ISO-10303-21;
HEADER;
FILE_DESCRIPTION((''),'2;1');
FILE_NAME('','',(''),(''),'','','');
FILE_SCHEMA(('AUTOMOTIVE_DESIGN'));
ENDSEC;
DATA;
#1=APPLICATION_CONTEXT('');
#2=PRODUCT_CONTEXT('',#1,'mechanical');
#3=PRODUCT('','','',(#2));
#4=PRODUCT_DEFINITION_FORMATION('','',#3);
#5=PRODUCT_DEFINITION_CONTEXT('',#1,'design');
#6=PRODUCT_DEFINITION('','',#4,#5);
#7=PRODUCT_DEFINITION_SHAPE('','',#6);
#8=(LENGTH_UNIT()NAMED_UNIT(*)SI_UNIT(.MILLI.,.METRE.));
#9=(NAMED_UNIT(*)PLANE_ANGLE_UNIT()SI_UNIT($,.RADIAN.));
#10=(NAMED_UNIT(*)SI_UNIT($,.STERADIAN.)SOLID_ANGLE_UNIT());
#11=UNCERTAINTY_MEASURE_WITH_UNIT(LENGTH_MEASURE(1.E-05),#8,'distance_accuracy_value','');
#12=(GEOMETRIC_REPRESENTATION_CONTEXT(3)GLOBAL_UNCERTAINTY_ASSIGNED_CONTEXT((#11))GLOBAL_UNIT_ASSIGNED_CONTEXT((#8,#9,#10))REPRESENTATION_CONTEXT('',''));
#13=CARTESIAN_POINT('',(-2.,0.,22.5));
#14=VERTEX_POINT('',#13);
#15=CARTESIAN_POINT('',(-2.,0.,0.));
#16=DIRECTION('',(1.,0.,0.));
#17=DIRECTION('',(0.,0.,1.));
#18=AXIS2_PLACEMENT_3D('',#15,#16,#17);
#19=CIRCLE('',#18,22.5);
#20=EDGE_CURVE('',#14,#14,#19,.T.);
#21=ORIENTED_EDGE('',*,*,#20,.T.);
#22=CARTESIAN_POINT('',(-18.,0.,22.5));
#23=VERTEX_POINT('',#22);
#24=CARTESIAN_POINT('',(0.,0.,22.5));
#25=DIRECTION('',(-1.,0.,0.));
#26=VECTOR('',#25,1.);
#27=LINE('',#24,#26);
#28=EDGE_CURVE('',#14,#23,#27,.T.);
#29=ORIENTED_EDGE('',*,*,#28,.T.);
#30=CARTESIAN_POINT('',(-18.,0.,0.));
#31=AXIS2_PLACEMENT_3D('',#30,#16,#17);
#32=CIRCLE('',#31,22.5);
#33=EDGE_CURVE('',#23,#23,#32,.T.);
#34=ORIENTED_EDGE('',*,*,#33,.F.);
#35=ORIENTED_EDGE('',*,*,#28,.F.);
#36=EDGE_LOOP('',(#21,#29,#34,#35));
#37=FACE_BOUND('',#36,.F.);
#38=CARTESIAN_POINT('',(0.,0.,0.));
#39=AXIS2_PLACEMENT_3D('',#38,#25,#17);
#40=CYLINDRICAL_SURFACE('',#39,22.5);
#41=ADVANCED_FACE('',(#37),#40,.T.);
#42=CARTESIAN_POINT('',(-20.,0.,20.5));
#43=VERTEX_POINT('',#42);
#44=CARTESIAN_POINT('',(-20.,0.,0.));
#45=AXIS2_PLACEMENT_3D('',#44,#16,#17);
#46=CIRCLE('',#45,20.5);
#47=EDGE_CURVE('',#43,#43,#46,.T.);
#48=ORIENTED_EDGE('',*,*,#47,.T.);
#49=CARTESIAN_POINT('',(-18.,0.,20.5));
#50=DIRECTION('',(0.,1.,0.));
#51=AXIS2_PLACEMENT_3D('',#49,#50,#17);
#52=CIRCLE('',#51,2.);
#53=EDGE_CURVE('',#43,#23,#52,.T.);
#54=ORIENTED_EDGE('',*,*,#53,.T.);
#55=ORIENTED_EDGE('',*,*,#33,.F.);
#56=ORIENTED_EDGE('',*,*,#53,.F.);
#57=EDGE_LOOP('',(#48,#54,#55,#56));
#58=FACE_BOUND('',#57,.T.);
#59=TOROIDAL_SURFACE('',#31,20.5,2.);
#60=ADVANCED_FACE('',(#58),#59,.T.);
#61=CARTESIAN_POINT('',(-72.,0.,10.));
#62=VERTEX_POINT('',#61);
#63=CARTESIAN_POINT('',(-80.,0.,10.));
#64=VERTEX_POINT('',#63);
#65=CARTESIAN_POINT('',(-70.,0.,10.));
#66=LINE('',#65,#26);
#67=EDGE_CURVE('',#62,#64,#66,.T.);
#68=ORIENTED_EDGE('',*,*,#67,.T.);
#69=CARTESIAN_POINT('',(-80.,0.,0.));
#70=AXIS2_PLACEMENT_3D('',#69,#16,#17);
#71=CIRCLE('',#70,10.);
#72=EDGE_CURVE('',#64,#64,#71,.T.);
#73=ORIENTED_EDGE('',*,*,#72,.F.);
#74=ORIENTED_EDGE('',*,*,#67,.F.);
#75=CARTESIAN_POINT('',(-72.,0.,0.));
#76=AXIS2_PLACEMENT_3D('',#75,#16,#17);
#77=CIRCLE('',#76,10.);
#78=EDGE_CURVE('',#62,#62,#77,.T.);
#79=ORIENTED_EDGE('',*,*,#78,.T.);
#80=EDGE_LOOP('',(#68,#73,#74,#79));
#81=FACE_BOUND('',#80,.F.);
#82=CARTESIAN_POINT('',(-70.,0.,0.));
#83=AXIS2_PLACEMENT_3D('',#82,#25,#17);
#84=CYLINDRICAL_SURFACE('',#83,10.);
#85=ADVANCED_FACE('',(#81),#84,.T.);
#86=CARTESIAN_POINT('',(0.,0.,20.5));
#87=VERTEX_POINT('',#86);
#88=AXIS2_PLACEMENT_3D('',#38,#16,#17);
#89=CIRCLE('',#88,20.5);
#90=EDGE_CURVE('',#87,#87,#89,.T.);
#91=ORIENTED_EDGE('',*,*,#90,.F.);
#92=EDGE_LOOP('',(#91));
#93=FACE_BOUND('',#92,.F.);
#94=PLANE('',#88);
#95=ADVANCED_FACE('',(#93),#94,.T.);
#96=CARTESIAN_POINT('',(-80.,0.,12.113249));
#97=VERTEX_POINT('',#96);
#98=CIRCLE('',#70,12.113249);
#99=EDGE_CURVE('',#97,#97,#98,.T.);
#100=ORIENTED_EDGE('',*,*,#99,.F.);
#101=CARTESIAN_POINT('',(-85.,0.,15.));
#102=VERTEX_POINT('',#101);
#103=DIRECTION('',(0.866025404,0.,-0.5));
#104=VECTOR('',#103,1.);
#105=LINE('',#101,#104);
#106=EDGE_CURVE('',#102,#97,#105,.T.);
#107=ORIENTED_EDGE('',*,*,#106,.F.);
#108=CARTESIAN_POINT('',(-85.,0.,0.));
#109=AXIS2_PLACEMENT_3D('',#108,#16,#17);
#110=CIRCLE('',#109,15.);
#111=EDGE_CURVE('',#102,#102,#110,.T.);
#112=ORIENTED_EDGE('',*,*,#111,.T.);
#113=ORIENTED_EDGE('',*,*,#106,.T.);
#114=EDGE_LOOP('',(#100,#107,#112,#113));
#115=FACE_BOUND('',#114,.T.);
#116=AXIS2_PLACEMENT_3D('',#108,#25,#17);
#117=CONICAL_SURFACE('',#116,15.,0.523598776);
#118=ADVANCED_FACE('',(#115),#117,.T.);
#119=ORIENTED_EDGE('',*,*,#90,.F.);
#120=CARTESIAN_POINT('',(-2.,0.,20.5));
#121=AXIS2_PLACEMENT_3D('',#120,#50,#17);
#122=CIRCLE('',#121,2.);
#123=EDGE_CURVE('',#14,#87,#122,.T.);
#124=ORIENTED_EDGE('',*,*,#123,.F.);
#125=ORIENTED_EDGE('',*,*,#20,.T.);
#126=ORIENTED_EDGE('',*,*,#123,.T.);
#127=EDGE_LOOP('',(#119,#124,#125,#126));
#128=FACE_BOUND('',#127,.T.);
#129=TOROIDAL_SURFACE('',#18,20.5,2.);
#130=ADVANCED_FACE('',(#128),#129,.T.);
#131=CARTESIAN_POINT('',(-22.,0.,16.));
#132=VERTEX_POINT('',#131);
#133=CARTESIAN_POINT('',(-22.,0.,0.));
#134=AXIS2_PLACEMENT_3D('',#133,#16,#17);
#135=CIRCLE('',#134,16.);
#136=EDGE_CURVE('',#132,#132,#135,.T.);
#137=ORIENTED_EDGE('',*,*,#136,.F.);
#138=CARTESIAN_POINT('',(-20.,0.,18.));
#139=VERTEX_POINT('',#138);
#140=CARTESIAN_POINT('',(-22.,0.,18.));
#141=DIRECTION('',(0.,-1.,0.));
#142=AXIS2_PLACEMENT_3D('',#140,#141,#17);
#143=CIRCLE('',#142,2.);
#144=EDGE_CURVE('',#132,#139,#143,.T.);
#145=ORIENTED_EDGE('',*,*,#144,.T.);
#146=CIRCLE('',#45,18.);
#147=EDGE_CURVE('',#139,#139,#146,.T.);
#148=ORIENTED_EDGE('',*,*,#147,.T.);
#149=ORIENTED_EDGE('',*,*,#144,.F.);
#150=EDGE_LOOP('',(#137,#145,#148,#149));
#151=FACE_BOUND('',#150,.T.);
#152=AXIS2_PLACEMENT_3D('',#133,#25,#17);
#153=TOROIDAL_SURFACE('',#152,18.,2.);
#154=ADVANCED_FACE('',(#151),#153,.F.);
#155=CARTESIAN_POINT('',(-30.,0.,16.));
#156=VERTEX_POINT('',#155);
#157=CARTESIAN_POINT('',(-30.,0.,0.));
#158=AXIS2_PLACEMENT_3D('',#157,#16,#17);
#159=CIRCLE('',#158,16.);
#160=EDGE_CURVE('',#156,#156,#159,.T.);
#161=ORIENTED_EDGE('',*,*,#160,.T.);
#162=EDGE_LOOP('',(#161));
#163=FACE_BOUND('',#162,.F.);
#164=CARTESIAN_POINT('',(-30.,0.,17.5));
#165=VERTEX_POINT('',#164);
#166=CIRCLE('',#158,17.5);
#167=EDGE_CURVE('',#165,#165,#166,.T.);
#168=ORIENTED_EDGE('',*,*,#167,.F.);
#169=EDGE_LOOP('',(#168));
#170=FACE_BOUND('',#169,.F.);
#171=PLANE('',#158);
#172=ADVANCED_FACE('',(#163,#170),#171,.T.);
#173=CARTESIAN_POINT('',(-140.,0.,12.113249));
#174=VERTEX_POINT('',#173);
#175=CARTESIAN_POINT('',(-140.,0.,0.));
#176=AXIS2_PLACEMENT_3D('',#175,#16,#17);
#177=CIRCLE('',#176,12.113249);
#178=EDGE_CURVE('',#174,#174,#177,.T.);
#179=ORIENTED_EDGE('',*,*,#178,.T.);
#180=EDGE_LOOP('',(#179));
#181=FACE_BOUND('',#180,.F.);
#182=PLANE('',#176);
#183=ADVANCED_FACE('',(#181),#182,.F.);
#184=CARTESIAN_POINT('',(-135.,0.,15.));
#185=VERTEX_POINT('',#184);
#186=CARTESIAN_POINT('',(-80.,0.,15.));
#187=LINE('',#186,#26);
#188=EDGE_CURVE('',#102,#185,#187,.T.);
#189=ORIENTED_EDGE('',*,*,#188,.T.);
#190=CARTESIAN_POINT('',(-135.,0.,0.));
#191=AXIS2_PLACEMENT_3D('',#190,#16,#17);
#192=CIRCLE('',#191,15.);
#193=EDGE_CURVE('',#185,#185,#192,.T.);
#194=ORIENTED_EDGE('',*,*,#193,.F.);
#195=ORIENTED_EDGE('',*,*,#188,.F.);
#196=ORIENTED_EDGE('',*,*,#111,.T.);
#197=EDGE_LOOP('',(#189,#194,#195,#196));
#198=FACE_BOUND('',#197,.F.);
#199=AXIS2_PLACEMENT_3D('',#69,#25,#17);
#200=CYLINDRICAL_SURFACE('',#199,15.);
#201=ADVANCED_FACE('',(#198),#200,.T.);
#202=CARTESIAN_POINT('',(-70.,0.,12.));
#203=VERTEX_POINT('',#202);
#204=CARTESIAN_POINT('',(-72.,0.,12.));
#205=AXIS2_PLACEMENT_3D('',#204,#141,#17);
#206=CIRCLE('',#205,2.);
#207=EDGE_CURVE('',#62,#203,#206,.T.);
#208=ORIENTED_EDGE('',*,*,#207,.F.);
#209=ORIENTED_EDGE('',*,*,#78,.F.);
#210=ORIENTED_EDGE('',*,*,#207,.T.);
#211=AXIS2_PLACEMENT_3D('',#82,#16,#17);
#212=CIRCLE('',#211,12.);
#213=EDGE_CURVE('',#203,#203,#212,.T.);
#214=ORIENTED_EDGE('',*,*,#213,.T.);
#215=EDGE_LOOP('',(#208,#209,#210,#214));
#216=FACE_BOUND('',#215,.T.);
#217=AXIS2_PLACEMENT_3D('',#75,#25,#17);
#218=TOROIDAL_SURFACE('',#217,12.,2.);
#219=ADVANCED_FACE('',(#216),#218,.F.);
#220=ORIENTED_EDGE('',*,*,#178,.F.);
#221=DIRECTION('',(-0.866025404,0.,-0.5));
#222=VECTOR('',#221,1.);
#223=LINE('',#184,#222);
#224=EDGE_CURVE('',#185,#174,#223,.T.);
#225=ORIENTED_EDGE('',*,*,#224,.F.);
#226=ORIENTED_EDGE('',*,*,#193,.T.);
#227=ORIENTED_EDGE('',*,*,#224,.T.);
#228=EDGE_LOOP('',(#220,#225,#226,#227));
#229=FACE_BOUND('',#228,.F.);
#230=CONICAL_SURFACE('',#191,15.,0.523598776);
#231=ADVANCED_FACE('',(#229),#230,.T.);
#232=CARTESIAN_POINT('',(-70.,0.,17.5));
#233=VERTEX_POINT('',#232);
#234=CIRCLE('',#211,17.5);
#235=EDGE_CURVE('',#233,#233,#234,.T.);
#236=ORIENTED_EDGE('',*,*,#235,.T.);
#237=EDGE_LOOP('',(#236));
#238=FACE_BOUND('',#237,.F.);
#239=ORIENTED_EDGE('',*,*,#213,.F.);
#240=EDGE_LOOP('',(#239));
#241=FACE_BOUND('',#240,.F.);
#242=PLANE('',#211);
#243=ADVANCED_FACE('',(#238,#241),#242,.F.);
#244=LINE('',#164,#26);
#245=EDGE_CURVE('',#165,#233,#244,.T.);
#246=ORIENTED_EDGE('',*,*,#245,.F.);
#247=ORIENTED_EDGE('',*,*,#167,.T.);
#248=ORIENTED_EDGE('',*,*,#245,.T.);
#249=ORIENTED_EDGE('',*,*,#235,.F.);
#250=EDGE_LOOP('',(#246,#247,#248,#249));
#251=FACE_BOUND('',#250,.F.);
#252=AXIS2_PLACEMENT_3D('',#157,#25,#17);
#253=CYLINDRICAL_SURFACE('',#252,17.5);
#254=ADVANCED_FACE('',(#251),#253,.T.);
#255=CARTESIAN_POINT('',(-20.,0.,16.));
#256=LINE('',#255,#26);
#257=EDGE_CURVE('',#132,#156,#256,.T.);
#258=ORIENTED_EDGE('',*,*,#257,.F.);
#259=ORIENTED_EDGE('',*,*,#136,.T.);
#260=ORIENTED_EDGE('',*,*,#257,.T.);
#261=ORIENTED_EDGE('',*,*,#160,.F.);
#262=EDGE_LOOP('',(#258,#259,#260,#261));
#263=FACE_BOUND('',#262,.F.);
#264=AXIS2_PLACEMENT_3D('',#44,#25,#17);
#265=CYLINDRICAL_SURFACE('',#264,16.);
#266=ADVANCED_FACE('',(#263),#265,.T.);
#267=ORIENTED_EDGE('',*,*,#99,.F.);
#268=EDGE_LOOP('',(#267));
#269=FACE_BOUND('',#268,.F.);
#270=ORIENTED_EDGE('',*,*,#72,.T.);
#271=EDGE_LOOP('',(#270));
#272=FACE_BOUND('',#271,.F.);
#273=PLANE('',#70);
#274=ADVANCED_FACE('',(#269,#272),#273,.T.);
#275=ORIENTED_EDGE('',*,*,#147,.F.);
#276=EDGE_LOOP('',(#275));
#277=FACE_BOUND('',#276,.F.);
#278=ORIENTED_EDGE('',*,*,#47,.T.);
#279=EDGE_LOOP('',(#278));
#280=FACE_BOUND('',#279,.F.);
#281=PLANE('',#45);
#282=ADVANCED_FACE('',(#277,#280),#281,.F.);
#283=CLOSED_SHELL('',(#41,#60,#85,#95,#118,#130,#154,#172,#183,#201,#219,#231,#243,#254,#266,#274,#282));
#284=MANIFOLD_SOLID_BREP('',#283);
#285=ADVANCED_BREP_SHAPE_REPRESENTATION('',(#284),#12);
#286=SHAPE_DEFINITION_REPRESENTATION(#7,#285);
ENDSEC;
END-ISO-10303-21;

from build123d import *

# Parameters (mm, degrees)
F2_SIZE2 = 2.8867513459
F2_SIZE  = 5
F3_R     = 2


with BuildPart() as f1:
    # F0 (on Front) → F1 (revolve)
    with BuildSketch(Plane.XZ):
        Polygon((-140, 0), (0, 0), (0, 22.5), (-20, 22.5), (-20, 16), (-30, 16), (-30, 17.5), (-70, 17.5), (-70, 10), (-80, 10), (-80, 15), (-140, 15), align=None)
    revolve(axis=Axis((-70, 0, 0), (1, 0, 0)))

    # F2
    f2_edges = [f1.edges().sort_by_distance(p)[0] for p in [
        (-140, 0, -15),
        (-80, 0, -15),
    ]]
    f2_side = f1.faces().sort_by_distance((-110, 0, -15))[0]
    chamfer(f2_edges, length=F2_SIZE, length2=F2_SIZE2, reference=f2_side)

    # F3
    f3_edges = [f1.edges().sort_by_distance(p)[0] for p in [
        (-70, 0, -10),
        (-20, 0, -22.5),
        (0, 0, -22.5),
        (-20, 0, -16),
    ]]
    fillet(f3_edges, radius=F3_R)


solid = f1.part
